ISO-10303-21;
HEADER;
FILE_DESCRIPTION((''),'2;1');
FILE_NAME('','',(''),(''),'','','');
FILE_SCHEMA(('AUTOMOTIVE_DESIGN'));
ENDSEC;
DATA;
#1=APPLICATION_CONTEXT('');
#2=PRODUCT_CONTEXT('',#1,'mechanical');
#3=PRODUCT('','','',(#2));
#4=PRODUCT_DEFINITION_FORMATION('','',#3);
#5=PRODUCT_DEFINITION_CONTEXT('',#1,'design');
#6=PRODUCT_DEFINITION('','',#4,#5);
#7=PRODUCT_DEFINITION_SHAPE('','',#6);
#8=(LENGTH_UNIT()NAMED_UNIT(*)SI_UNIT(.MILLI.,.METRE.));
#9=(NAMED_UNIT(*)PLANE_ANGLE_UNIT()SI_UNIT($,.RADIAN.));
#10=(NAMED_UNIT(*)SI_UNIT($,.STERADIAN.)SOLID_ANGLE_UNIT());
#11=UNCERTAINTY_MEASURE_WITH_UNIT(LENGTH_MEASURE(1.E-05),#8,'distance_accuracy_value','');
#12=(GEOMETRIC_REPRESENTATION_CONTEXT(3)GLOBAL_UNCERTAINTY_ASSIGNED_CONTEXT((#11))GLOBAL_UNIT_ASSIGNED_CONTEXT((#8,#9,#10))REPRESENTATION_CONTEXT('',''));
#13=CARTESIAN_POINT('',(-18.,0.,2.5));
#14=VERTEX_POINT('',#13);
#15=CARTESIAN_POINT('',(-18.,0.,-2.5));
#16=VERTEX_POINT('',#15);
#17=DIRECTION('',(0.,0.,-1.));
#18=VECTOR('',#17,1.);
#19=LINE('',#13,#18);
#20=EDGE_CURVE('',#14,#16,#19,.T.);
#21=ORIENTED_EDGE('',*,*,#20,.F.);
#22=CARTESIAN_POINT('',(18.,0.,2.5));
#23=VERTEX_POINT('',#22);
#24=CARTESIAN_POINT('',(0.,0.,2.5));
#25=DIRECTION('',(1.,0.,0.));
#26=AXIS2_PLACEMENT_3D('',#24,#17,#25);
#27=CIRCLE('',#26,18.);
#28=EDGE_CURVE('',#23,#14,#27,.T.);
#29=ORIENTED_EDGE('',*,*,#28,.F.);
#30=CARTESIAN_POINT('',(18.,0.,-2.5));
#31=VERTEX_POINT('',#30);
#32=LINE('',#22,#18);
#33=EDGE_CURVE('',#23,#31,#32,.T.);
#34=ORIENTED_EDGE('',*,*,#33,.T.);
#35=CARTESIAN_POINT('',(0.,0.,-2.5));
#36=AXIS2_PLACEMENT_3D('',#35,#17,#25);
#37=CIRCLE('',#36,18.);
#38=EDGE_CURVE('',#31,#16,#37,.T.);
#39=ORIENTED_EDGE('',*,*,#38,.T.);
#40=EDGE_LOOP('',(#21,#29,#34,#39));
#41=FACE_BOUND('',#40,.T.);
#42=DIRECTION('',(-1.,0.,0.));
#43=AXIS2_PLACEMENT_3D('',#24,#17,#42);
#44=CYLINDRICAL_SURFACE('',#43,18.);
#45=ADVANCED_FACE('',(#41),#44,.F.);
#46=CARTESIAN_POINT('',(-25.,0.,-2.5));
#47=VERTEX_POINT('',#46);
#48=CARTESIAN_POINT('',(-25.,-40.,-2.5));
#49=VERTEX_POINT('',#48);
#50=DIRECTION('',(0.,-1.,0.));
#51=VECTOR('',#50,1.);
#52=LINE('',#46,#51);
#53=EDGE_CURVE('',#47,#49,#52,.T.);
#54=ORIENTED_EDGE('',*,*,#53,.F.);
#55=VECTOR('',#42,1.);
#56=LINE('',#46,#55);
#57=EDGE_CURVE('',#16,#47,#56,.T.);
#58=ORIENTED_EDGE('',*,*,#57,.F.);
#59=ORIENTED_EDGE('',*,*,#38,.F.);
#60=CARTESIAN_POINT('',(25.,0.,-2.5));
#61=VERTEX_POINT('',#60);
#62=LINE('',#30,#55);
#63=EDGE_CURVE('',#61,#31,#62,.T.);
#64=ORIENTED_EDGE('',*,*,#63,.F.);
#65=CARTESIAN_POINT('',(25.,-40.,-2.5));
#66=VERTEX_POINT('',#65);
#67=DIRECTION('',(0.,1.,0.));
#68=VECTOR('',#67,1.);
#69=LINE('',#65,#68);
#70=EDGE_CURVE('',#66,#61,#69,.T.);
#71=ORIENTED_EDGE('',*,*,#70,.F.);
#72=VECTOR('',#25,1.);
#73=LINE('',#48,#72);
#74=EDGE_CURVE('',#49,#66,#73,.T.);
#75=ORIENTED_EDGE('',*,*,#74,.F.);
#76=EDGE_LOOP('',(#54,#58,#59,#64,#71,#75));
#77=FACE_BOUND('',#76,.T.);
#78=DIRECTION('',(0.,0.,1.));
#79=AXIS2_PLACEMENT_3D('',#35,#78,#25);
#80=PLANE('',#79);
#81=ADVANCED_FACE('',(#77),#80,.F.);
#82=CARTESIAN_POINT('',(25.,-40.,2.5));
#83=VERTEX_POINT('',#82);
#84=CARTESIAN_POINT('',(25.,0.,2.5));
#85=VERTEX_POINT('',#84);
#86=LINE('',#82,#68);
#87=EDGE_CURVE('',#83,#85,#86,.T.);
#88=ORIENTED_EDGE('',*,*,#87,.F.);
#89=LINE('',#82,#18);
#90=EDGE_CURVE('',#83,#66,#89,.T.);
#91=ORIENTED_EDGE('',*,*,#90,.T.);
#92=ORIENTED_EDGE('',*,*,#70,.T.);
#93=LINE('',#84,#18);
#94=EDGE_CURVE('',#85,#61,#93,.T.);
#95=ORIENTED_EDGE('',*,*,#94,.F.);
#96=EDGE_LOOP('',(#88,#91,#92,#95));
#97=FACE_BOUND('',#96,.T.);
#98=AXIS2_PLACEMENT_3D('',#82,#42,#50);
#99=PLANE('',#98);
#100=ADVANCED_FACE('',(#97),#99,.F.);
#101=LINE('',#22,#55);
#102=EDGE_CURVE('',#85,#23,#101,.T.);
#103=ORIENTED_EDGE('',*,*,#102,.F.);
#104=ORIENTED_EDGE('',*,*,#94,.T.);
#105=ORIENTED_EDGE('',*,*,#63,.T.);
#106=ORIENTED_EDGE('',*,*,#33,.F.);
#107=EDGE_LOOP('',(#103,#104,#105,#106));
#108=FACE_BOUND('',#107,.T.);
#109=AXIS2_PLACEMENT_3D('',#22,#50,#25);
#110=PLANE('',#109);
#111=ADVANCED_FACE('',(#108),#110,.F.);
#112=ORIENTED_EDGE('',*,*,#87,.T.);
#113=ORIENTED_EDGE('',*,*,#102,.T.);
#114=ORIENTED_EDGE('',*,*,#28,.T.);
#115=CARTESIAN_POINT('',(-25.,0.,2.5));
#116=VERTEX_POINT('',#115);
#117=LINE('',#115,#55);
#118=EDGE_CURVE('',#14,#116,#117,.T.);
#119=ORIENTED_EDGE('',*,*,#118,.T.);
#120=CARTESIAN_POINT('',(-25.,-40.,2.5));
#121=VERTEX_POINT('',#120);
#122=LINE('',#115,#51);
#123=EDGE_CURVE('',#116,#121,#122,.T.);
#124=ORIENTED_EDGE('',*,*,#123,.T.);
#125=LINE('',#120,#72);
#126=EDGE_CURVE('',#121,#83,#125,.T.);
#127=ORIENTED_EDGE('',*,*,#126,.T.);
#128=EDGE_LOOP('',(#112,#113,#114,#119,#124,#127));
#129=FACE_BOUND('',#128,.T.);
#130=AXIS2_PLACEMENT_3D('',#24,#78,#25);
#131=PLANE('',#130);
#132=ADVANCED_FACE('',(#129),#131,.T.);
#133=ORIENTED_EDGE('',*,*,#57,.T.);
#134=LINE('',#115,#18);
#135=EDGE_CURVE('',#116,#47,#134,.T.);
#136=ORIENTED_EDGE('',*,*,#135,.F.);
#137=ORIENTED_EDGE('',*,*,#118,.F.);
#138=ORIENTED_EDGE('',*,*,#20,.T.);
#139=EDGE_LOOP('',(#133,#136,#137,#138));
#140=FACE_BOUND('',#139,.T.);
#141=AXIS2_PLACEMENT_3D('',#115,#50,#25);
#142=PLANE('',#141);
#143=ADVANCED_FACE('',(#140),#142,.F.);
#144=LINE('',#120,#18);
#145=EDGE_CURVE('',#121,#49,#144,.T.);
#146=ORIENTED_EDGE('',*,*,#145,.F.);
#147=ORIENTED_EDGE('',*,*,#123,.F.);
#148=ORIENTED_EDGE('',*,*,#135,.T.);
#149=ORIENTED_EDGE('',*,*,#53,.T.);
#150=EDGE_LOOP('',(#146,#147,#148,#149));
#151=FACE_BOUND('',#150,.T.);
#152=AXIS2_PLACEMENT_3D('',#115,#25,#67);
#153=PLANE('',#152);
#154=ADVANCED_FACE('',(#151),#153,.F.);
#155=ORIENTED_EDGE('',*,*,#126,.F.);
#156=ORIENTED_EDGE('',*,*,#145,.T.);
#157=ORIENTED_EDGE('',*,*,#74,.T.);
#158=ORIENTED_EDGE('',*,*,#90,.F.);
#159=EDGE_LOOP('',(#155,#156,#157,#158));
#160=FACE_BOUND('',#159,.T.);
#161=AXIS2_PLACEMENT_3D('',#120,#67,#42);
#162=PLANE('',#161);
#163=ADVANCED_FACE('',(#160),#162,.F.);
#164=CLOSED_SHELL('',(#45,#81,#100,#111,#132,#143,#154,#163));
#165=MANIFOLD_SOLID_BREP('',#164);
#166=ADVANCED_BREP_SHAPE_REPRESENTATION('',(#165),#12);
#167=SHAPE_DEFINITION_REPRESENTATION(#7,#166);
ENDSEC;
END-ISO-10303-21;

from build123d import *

# Parameters (mm, degrees)
BOSS_EXTRUDE1_DEPTH = 2.5


with BuildPart() as part:
    # Sketch1 → Boss-Extrude1 (new, symmetric)
    with BuildSketch(Plane.XY):
        with BuildLine():
            Line((-25, 0), (-25, -40))
            Line((-25, -40), (25, -40))
            Line((25, -40), (25, 0))
            Line((25, 0), (18, 0))
            ThreePointArc((18, 0), (0, -18), (-18, 0))
            Line((-18, 0), (-25, 0))
        make_face()
    extrude(amount=BOSS_EXTRUDE1_DEPTH, both=True)


solid = part.part
